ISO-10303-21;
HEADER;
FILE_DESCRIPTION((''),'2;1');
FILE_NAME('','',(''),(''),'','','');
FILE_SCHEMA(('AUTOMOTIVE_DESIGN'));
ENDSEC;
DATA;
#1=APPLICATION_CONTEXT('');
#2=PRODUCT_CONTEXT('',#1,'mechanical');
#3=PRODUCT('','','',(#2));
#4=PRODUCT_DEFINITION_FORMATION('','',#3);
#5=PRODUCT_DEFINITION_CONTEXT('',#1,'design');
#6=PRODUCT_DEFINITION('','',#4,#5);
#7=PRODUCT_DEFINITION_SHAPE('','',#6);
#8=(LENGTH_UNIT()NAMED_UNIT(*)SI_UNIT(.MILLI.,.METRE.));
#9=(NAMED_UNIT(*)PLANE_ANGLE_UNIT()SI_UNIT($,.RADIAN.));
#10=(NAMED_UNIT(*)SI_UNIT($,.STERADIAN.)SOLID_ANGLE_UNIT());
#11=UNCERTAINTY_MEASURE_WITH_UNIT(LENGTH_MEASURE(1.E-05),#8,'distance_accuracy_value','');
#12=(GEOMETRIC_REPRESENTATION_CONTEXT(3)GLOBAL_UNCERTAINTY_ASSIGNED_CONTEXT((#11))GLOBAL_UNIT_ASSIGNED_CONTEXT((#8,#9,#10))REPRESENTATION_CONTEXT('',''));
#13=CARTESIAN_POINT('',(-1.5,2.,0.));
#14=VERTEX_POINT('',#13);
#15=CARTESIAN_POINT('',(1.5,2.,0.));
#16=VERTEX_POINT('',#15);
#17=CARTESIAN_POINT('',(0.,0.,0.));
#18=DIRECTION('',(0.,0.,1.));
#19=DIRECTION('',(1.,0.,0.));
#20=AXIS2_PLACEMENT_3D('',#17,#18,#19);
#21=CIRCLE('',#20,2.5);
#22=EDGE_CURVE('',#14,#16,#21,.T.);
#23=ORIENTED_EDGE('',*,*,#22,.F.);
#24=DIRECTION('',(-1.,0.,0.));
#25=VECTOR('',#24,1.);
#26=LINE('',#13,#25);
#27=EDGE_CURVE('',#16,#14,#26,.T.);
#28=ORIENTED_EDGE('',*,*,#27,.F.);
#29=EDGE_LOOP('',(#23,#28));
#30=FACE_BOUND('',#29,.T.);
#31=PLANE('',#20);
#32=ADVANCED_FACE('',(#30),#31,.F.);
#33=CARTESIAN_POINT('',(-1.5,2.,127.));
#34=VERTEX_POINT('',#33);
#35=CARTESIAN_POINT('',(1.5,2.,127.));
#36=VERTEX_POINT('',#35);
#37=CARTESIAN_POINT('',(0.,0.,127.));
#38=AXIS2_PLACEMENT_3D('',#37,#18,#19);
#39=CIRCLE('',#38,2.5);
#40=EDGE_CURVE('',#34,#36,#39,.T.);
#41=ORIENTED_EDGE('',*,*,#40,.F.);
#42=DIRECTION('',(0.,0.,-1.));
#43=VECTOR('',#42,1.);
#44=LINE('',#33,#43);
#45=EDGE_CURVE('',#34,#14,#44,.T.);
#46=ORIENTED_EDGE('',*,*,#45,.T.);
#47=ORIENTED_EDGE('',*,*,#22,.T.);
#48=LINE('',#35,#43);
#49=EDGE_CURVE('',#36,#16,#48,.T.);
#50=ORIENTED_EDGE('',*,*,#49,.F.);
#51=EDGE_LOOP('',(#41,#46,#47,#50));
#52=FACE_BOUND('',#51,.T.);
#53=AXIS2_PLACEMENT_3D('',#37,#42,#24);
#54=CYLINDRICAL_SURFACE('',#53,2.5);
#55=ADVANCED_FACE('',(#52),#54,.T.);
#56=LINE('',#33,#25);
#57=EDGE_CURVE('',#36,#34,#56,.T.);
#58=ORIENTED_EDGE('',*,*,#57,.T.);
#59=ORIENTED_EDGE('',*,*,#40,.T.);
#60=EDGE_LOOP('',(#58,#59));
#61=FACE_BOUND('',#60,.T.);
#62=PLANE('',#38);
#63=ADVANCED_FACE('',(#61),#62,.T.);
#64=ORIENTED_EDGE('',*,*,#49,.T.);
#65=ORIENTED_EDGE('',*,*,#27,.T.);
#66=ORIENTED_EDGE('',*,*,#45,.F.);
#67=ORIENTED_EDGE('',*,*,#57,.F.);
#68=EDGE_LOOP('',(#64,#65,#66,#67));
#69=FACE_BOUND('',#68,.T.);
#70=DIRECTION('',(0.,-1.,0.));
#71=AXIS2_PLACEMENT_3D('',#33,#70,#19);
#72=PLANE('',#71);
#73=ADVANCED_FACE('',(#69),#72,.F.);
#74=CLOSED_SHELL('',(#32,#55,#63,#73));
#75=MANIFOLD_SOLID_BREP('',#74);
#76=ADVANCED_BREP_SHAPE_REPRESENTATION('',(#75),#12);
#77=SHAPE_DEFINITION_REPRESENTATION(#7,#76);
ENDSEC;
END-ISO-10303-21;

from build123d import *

# Parameters (mm, degrees)
BOSS_EXTRUDE1_DEPTH = 127


with BuildPart() as part:
    # Sketch1 → Boss-Extrude1 (new body)
    with BuildSketch(Plane.XY):
        with BuildLine():
            Line((-1.5, 2), (1.5, 2))
            ThreePointArc((1.5, 2), (0, -2.5), (-1.5, 2))
        make_face()
    extrude(amount=BOSS_EXTRUDE1_DEPTH)


solid = part.part
